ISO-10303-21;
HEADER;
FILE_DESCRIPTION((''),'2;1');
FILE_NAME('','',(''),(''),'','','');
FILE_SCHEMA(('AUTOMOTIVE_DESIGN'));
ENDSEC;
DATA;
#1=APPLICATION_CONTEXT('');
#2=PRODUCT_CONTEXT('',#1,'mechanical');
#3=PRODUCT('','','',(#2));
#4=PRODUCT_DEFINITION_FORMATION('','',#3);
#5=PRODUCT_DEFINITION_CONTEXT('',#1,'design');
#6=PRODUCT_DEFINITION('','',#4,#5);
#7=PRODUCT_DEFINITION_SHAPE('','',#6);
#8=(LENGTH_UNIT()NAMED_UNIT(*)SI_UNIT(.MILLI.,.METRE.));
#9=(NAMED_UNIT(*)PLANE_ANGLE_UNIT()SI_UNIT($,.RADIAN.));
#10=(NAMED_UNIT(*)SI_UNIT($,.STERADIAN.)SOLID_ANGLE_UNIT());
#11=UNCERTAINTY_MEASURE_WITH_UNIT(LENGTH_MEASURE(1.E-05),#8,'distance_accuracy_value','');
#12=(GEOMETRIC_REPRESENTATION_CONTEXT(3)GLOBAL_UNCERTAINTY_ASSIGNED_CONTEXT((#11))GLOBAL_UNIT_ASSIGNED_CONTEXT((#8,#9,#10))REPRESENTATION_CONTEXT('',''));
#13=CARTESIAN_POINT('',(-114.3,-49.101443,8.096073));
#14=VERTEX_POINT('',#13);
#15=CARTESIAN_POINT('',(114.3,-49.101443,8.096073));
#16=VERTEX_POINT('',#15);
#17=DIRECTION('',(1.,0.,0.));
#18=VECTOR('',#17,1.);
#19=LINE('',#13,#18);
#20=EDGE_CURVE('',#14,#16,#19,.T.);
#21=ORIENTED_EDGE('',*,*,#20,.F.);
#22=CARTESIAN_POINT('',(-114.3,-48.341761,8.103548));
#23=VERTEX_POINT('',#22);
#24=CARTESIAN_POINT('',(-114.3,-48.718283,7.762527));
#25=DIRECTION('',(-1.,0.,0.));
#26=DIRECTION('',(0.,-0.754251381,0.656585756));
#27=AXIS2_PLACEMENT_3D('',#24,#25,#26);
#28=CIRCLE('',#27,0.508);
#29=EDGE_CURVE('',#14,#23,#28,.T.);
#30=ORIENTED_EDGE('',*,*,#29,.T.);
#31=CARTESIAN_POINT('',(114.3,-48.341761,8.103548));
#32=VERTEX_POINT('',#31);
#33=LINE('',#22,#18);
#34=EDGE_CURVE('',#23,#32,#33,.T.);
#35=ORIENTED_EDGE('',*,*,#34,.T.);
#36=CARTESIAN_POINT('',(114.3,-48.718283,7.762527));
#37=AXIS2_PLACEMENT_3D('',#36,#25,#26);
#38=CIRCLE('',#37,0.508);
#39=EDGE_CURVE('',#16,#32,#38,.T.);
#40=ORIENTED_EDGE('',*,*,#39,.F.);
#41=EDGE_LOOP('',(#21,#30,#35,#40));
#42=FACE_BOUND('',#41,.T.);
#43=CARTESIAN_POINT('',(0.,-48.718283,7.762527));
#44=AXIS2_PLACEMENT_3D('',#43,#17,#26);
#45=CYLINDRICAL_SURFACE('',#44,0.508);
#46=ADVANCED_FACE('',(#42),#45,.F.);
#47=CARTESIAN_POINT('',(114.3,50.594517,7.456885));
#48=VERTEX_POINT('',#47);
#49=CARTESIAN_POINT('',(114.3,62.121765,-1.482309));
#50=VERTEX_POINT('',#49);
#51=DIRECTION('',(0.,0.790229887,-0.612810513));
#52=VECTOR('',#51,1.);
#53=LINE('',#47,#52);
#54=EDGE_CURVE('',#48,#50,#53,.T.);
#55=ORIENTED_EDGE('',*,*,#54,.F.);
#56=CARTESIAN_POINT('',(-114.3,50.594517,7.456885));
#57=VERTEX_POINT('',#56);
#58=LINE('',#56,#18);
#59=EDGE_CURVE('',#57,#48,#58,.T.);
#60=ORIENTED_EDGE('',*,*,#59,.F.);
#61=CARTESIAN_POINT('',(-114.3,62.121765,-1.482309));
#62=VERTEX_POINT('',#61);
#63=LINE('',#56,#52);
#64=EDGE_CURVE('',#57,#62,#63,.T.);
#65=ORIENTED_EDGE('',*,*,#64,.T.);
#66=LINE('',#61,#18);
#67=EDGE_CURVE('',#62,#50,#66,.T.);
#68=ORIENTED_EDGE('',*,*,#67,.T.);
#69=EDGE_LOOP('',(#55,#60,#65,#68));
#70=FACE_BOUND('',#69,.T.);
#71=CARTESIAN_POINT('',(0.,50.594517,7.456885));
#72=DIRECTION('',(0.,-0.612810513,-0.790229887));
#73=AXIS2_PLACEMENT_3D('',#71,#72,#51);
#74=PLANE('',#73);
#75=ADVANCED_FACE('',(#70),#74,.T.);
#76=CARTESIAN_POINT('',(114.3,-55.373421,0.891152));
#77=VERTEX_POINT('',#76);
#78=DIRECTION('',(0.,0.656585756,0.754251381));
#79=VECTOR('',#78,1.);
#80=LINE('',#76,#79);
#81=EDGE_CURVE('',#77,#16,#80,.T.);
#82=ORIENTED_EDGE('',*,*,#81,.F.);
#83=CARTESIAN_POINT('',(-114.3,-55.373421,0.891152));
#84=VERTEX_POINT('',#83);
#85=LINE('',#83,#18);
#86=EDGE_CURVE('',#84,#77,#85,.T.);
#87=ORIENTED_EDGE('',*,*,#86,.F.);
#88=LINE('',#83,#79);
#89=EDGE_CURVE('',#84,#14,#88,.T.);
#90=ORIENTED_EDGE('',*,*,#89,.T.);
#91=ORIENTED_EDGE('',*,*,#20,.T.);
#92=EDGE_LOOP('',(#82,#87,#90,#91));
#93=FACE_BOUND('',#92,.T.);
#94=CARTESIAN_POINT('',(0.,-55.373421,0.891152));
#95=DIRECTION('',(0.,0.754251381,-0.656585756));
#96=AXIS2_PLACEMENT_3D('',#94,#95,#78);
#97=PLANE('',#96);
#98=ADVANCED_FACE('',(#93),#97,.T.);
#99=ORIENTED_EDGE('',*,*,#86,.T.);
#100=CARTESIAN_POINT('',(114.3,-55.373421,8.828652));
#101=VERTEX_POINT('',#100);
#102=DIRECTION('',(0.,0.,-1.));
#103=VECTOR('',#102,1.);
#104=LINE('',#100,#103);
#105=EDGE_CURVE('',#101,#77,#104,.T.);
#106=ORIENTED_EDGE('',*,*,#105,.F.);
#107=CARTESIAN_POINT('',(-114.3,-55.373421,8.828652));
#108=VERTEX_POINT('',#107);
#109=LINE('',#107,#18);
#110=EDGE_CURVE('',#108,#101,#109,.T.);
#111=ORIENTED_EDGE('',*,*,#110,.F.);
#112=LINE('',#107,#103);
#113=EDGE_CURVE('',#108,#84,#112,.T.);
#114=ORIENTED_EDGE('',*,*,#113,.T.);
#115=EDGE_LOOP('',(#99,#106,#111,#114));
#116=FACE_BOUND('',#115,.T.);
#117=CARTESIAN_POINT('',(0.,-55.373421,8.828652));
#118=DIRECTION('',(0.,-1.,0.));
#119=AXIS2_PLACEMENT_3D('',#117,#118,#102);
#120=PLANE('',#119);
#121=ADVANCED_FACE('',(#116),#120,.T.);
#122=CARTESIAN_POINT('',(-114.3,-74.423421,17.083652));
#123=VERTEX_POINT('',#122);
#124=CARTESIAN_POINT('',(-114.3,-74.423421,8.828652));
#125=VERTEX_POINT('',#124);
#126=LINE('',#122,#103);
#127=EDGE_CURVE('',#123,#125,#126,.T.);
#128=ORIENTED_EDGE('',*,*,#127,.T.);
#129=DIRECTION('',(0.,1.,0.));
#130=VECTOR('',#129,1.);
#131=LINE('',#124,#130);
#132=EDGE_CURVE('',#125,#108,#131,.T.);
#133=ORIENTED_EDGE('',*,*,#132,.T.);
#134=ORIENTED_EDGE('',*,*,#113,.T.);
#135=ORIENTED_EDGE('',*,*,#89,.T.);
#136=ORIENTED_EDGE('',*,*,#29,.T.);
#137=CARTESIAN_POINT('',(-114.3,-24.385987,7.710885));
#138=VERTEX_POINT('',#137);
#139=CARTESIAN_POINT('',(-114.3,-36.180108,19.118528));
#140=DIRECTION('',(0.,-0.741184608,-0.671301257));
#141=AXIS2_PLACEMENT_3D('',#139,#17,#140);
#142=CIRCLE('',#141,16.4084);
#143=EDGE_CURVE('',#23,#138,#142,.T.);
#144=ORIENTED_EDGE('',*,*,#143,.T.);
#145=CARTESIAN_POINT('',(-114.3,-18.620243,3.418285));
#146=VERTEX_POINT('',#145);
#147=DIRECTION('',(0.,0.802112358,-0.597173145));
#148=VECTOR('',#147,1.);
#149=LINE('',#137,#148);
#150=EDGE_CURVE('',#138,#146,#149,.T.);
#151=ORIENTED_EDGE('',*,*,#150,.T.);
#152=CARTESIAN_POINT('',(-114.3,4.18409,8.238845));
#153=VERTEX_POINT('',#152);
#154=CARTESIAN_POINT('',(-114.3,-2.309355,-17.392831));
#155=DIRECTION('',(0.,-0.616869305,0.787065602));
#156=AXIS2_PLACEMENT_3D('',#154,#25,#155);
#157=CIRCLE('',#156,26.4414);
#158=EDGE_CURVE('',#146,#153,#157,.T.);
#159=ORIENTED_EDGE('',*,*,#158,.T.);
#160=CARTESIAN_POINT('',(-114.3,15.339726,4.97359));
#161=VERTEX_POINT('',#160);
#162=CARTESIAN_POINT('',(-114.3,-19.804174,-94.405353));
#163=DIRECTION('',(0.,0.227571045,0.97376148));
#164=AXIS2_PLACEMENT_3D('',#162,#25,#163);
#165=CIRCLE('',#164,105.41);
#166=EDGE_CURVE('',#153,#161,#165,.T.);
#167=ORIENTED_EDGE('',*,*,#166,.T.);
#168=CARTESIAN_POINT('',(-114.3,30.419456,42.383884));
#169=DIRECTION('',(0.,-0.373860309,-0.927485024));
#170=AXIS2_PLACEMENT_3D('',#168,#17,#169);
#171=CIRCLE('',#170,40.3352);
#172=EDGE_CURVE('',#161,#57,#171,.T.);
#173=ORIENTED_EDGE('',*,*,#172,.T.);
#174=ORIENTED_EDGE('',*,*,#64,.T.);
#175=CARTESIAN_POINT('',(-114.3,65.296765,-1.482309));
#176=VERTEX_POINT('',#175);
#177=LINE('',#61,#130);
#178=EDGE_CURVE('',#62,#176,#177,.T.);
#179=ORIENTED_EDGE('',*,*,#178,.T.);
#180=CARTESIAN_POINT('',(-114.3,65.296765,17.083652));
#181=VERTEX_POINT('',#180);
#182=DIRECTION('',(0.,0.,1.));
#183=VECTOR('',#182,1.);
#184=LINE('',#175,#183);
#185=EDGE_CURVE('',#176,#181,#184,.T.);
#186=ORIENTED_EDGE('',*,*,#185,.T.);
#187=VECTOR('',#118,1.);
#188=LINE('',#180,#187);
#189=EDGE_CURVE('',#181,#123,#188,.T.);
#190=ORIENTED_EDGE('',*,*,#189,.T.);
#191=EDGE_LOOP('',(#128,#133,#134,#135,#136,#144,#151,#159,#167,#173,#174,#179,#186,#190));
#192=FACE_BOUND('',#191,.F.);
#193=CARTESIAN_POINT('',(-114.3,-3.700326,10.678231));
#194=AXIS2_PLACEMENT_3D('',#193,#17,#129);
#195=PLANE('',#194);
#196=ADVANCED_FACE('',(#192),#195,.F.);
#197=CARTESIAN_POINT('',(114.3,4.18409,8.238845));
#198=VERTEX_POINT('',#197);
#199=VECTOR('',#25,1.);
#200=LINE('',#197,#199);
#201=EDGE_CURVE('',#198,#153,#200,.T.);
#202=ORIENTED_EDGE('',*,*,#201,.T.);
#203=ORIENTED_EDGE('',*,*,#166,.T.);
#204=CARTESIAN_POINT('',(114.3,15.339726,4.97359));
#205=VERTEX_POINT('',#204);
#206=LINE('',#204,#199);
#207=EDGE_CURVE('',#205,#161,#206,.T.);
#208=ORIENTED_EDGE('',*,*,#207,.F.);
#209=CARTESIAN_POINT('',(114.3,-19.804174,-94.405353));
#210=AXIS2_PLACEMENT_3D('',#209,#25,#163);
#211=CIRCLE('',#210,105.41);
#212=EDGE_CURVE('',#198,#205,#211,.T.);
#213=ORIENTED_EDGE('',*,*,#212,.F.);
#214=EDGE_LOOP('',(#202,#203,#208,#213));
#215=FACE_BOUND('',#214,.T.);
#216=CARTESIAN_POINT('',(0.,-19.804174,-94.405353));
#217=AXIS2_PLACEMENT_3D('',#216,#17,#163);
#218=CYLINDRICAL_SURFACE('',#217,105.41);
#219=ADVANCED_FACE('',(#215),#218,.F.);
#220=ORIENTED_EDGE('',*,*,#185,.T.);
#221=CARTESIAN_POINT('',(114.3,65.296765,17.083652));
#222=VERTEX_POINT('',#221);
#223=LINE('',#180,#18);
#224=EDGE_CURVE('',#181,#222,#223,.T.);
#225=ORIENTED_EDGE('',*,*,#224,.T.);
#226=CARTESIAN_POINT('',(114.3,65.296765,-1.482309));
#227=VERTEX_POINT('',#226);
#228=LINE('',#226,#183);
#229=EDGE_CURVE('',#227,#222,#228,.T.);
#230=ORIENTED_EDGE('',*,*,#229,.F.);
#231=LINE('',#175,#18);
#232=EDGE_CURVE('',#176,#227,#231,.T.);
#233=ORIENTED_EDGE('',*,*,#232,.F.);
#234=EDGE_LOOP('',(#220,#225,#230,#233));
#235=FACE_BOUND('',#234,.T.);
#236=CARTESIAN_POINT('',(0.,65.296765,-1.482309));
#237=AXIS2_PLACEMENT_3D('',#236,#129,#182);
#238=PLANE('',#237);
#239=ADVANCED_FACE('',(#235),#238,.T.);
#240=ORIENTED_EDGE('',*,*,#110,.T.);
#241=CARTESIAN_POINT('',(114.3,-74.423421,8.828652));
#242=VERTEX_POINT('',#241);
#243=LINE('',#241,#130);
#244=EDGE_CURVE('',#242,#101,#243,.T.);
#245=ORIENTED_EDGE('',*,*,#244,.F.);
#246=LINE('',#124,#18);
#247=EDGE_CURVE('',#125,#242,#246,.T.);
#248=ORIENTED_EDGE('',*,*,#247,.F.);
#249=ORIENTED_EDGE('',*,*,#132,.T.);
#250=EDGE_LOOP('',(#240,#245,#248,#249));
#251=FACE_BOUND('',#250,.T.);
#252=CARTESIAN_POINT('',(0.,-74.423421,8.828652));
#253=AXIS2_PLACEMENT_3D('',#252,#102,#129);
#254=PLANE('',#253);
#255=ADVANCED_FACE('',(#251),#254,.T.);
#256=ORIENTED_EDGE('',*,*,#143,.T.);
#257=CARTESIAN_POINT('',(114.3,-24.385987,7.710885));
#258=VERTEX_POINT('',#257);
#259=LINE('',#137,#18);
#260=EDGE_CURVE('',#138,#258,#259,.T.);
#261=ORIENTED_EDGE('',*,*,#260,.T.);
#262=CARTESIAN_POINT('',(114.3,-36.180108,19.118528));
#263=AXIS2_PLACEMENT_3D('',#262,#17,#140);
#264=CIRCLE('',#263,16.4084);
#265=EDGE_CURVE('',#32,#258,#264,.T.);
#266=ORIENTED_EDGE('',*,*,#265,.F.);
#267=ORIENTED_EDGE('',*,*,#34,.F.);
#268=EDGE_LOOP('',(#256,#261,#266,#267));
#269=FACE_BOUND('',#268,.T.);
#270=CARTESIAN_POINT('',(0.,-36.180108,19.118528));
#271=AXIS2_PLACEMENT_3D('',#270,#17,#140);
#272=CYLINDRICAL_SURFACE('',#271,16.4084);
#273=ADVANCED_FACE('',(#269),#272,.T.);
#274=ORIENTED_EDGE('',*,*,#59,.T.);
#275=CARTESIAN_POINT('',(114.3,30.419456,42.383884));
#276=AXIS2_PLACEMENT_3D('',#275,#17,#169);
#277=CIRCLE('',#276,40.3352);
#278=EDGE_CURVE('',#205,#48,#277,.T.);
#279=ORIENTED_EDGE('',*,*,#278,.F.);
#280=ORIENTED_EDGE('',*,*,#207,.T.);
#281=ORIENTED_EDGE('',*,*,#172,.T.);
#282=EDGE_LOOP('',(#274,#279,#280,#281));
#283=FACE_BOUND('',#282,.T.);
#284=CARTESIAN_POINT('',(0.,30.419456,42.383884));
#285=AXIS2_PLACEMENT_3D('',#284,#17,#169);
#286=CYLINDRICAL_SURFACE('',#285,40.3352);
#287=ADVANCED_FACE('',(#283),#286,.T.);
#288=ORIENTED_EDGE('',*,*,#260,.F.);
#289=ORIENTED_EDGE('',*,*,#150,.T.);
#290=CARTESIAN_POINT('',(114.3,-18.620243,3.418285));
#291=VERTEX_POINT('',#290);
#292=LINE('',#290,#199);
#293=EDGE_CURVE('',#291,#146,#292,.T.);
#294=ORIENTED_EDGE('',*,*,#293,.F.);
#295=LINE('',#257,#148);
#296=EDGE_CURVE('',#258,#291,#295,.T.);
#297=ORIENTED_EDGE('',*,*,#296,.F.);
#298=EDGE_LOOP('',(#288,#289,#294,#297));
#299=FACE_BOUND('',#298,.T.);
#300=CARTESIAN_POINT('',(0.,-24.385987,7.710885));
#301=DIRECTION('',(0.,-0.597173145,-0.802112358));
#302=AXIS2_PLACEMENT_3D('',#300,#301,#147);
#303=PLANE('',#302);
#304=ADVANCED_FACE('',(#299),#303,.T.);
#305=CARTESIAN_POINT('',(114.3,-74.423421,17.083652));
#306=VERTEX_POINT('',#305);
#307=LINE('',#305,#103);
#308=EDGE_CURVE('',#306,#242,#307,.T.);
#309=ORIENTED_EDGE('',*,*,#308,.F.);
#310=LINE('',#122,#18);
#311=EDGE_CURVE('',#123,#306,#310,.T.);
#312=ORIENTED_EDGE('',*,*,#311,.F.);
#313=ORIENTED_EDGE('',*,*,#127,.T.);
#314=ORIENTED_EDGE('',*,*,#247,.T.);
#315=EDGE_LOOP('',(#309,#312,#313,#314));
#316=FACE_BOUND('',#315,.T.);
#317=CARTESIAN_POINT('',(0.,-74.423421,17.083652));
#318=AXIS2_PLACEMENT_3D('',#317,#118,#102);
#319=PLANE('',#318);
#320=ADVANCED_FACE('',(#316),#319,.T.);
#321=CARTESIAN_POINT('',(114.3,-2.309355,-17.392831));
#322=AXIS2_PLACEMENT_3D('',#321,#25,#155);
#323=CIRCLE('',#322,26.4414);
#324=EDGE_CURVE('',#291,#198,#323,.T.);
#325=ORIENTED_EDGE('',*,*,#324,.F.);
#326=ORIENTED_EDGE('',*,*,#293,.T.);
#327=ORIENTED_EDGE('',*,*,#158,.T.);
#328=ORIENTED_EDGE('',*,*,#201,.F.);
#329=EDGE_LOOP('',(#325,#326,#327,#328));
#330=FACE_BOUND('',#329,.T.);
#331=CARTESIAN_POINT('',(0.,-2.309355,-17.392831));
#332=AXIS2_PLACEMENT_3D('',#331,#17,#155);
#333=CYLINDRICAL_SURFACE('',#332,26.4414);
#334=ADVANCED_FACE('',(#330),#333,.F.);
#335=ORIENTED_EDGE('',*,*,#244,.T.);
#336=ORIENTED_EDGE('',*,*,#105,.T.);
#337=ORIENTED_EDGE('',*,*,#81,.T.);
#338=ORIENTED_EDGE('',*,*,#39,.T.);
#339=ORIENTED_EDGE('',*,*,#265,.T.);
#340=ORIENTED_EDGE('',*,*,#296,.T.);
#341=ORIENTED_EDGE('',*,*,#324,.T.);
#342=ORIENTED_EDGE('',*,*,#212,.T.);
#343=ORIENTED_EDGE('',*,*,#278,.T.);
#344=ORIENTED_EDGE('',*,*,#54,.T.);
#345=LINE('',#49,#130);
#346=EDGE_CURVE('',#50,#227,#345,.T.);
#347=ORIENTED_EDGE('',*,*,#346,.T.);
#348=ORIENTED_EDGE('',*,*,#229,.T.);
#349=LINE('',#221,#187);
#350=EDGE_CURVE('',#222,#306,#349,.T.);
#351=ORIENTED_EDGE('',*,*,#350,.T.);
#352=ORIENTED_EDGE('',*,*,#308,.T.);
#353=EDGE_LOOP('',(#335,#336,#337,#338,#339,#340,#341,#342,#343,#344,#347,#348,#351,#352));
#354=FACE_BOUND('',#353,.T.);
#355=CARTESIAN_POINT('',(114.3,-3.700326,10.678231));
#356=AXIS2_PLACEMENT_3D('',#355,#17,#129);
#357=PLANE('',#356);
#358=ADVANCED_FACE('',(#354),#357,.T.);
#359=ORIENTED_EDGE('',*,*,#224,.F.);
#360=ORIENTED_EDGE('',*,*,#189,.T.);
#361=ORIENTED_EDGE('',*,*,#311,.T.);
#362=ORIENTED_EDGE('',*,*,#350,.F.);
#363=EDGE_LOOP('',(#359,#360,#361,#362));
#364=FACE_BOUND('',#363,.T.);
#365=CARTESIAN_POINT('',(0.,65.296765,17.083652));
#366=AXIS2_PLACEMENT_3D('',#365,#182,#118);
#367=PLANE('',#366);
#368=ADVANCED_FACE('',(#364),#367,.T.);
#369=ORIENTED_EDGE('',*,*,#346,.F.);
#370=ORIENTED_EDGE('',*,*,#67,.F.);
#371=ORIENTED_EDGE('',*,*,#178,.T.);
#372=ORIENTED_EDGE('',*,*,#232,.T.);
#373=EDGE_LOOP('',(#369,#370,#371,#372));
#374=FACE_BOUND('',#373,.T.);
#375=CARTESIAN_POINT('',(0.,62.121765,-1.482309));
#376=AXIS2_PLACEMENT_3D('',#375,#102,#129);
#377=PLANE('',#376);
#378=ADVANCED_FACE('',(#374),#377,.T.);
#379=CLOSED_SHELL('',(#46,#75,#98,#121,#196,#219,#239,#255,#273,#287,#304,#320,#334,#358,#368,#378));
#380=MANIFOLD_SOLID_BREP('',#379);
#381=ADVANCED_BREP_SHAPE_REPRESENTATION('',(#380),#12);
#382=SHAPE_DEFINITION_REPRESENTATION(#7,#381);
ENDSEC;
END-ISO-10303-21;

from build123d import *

# Parameters (mm, degrees)
F1_DEPTH = 114.3
F2_DEPTH = 114.3


with BuildPart() as f1:
    # F0 (on Right) → F1 (new body)
    with BuildSketch(Plane.YZ):
        with BuildLine():
            ThreePointArc((15.3397259396, 4.9735903311), (33.2535851209, 2.1483766452), (50.5945171187, 7.4568849653))
            Line((50.5945171187, 7.4568849653), (62.121764605, -1.4823092679))
            Line((62.121764605, -1.4823092679), (65.296764605, -1.4823092679))
            Line((65.296764605, -1.4823092679), (65.296764605, 17.0836517627))
            Line((65.296764605, 17.0836517627), (-74.4234208748, 17.0836517627))
            Line((-74.4234208748, 17.0836517627), (-74.4234208748, 8.8286517627))
            Line((-74.4234208748, 8.8286517627), (-55.3734208748, 8.8286517627))
            Line((-55.3734208748, 8.8286517627), (-55.3734208748, 0.8911517627))
            Line((-55.3734208748, 0.8911517627), (-49.1014425221, 8.0960725076))
            ThreePointArc((-49.1014425221, 8.0960725076), (-48.7232814382, 8.2705023504), (-48.3417610399, 8.1035479821))
            ThreePointArc((-48.3417610399, 8.1035479821), (-36.4490241706, 2.7123313027), (-24.3859868745, 7.7108849653))
            Line((-24.3859868745, 7.7108849653), (-18.6202428219, 3.4182849653))
            ThreePointArc((-18.6202428219, 3.4182849653), (-7.7779010166, 8.4768928848), (4.1840897409, 8.2388445204))
            ThreePointArc((4.1840897409, 8.2388445204), (9.8069500348, 6.7601026388), (15.3397259396, 4.9735903311))
        make_face()
    extrude(amount=F1_DEPTH)

    # F2 (add): a face of the model
    f2_faces = [f1.faces().sort_by_distance(p)[0] for p in [
        (0, 0.4923148954, 10.8715185192),
    ]]
    extrude(f2_faces, amount=F2_DEPTH)


solid = f1.part
